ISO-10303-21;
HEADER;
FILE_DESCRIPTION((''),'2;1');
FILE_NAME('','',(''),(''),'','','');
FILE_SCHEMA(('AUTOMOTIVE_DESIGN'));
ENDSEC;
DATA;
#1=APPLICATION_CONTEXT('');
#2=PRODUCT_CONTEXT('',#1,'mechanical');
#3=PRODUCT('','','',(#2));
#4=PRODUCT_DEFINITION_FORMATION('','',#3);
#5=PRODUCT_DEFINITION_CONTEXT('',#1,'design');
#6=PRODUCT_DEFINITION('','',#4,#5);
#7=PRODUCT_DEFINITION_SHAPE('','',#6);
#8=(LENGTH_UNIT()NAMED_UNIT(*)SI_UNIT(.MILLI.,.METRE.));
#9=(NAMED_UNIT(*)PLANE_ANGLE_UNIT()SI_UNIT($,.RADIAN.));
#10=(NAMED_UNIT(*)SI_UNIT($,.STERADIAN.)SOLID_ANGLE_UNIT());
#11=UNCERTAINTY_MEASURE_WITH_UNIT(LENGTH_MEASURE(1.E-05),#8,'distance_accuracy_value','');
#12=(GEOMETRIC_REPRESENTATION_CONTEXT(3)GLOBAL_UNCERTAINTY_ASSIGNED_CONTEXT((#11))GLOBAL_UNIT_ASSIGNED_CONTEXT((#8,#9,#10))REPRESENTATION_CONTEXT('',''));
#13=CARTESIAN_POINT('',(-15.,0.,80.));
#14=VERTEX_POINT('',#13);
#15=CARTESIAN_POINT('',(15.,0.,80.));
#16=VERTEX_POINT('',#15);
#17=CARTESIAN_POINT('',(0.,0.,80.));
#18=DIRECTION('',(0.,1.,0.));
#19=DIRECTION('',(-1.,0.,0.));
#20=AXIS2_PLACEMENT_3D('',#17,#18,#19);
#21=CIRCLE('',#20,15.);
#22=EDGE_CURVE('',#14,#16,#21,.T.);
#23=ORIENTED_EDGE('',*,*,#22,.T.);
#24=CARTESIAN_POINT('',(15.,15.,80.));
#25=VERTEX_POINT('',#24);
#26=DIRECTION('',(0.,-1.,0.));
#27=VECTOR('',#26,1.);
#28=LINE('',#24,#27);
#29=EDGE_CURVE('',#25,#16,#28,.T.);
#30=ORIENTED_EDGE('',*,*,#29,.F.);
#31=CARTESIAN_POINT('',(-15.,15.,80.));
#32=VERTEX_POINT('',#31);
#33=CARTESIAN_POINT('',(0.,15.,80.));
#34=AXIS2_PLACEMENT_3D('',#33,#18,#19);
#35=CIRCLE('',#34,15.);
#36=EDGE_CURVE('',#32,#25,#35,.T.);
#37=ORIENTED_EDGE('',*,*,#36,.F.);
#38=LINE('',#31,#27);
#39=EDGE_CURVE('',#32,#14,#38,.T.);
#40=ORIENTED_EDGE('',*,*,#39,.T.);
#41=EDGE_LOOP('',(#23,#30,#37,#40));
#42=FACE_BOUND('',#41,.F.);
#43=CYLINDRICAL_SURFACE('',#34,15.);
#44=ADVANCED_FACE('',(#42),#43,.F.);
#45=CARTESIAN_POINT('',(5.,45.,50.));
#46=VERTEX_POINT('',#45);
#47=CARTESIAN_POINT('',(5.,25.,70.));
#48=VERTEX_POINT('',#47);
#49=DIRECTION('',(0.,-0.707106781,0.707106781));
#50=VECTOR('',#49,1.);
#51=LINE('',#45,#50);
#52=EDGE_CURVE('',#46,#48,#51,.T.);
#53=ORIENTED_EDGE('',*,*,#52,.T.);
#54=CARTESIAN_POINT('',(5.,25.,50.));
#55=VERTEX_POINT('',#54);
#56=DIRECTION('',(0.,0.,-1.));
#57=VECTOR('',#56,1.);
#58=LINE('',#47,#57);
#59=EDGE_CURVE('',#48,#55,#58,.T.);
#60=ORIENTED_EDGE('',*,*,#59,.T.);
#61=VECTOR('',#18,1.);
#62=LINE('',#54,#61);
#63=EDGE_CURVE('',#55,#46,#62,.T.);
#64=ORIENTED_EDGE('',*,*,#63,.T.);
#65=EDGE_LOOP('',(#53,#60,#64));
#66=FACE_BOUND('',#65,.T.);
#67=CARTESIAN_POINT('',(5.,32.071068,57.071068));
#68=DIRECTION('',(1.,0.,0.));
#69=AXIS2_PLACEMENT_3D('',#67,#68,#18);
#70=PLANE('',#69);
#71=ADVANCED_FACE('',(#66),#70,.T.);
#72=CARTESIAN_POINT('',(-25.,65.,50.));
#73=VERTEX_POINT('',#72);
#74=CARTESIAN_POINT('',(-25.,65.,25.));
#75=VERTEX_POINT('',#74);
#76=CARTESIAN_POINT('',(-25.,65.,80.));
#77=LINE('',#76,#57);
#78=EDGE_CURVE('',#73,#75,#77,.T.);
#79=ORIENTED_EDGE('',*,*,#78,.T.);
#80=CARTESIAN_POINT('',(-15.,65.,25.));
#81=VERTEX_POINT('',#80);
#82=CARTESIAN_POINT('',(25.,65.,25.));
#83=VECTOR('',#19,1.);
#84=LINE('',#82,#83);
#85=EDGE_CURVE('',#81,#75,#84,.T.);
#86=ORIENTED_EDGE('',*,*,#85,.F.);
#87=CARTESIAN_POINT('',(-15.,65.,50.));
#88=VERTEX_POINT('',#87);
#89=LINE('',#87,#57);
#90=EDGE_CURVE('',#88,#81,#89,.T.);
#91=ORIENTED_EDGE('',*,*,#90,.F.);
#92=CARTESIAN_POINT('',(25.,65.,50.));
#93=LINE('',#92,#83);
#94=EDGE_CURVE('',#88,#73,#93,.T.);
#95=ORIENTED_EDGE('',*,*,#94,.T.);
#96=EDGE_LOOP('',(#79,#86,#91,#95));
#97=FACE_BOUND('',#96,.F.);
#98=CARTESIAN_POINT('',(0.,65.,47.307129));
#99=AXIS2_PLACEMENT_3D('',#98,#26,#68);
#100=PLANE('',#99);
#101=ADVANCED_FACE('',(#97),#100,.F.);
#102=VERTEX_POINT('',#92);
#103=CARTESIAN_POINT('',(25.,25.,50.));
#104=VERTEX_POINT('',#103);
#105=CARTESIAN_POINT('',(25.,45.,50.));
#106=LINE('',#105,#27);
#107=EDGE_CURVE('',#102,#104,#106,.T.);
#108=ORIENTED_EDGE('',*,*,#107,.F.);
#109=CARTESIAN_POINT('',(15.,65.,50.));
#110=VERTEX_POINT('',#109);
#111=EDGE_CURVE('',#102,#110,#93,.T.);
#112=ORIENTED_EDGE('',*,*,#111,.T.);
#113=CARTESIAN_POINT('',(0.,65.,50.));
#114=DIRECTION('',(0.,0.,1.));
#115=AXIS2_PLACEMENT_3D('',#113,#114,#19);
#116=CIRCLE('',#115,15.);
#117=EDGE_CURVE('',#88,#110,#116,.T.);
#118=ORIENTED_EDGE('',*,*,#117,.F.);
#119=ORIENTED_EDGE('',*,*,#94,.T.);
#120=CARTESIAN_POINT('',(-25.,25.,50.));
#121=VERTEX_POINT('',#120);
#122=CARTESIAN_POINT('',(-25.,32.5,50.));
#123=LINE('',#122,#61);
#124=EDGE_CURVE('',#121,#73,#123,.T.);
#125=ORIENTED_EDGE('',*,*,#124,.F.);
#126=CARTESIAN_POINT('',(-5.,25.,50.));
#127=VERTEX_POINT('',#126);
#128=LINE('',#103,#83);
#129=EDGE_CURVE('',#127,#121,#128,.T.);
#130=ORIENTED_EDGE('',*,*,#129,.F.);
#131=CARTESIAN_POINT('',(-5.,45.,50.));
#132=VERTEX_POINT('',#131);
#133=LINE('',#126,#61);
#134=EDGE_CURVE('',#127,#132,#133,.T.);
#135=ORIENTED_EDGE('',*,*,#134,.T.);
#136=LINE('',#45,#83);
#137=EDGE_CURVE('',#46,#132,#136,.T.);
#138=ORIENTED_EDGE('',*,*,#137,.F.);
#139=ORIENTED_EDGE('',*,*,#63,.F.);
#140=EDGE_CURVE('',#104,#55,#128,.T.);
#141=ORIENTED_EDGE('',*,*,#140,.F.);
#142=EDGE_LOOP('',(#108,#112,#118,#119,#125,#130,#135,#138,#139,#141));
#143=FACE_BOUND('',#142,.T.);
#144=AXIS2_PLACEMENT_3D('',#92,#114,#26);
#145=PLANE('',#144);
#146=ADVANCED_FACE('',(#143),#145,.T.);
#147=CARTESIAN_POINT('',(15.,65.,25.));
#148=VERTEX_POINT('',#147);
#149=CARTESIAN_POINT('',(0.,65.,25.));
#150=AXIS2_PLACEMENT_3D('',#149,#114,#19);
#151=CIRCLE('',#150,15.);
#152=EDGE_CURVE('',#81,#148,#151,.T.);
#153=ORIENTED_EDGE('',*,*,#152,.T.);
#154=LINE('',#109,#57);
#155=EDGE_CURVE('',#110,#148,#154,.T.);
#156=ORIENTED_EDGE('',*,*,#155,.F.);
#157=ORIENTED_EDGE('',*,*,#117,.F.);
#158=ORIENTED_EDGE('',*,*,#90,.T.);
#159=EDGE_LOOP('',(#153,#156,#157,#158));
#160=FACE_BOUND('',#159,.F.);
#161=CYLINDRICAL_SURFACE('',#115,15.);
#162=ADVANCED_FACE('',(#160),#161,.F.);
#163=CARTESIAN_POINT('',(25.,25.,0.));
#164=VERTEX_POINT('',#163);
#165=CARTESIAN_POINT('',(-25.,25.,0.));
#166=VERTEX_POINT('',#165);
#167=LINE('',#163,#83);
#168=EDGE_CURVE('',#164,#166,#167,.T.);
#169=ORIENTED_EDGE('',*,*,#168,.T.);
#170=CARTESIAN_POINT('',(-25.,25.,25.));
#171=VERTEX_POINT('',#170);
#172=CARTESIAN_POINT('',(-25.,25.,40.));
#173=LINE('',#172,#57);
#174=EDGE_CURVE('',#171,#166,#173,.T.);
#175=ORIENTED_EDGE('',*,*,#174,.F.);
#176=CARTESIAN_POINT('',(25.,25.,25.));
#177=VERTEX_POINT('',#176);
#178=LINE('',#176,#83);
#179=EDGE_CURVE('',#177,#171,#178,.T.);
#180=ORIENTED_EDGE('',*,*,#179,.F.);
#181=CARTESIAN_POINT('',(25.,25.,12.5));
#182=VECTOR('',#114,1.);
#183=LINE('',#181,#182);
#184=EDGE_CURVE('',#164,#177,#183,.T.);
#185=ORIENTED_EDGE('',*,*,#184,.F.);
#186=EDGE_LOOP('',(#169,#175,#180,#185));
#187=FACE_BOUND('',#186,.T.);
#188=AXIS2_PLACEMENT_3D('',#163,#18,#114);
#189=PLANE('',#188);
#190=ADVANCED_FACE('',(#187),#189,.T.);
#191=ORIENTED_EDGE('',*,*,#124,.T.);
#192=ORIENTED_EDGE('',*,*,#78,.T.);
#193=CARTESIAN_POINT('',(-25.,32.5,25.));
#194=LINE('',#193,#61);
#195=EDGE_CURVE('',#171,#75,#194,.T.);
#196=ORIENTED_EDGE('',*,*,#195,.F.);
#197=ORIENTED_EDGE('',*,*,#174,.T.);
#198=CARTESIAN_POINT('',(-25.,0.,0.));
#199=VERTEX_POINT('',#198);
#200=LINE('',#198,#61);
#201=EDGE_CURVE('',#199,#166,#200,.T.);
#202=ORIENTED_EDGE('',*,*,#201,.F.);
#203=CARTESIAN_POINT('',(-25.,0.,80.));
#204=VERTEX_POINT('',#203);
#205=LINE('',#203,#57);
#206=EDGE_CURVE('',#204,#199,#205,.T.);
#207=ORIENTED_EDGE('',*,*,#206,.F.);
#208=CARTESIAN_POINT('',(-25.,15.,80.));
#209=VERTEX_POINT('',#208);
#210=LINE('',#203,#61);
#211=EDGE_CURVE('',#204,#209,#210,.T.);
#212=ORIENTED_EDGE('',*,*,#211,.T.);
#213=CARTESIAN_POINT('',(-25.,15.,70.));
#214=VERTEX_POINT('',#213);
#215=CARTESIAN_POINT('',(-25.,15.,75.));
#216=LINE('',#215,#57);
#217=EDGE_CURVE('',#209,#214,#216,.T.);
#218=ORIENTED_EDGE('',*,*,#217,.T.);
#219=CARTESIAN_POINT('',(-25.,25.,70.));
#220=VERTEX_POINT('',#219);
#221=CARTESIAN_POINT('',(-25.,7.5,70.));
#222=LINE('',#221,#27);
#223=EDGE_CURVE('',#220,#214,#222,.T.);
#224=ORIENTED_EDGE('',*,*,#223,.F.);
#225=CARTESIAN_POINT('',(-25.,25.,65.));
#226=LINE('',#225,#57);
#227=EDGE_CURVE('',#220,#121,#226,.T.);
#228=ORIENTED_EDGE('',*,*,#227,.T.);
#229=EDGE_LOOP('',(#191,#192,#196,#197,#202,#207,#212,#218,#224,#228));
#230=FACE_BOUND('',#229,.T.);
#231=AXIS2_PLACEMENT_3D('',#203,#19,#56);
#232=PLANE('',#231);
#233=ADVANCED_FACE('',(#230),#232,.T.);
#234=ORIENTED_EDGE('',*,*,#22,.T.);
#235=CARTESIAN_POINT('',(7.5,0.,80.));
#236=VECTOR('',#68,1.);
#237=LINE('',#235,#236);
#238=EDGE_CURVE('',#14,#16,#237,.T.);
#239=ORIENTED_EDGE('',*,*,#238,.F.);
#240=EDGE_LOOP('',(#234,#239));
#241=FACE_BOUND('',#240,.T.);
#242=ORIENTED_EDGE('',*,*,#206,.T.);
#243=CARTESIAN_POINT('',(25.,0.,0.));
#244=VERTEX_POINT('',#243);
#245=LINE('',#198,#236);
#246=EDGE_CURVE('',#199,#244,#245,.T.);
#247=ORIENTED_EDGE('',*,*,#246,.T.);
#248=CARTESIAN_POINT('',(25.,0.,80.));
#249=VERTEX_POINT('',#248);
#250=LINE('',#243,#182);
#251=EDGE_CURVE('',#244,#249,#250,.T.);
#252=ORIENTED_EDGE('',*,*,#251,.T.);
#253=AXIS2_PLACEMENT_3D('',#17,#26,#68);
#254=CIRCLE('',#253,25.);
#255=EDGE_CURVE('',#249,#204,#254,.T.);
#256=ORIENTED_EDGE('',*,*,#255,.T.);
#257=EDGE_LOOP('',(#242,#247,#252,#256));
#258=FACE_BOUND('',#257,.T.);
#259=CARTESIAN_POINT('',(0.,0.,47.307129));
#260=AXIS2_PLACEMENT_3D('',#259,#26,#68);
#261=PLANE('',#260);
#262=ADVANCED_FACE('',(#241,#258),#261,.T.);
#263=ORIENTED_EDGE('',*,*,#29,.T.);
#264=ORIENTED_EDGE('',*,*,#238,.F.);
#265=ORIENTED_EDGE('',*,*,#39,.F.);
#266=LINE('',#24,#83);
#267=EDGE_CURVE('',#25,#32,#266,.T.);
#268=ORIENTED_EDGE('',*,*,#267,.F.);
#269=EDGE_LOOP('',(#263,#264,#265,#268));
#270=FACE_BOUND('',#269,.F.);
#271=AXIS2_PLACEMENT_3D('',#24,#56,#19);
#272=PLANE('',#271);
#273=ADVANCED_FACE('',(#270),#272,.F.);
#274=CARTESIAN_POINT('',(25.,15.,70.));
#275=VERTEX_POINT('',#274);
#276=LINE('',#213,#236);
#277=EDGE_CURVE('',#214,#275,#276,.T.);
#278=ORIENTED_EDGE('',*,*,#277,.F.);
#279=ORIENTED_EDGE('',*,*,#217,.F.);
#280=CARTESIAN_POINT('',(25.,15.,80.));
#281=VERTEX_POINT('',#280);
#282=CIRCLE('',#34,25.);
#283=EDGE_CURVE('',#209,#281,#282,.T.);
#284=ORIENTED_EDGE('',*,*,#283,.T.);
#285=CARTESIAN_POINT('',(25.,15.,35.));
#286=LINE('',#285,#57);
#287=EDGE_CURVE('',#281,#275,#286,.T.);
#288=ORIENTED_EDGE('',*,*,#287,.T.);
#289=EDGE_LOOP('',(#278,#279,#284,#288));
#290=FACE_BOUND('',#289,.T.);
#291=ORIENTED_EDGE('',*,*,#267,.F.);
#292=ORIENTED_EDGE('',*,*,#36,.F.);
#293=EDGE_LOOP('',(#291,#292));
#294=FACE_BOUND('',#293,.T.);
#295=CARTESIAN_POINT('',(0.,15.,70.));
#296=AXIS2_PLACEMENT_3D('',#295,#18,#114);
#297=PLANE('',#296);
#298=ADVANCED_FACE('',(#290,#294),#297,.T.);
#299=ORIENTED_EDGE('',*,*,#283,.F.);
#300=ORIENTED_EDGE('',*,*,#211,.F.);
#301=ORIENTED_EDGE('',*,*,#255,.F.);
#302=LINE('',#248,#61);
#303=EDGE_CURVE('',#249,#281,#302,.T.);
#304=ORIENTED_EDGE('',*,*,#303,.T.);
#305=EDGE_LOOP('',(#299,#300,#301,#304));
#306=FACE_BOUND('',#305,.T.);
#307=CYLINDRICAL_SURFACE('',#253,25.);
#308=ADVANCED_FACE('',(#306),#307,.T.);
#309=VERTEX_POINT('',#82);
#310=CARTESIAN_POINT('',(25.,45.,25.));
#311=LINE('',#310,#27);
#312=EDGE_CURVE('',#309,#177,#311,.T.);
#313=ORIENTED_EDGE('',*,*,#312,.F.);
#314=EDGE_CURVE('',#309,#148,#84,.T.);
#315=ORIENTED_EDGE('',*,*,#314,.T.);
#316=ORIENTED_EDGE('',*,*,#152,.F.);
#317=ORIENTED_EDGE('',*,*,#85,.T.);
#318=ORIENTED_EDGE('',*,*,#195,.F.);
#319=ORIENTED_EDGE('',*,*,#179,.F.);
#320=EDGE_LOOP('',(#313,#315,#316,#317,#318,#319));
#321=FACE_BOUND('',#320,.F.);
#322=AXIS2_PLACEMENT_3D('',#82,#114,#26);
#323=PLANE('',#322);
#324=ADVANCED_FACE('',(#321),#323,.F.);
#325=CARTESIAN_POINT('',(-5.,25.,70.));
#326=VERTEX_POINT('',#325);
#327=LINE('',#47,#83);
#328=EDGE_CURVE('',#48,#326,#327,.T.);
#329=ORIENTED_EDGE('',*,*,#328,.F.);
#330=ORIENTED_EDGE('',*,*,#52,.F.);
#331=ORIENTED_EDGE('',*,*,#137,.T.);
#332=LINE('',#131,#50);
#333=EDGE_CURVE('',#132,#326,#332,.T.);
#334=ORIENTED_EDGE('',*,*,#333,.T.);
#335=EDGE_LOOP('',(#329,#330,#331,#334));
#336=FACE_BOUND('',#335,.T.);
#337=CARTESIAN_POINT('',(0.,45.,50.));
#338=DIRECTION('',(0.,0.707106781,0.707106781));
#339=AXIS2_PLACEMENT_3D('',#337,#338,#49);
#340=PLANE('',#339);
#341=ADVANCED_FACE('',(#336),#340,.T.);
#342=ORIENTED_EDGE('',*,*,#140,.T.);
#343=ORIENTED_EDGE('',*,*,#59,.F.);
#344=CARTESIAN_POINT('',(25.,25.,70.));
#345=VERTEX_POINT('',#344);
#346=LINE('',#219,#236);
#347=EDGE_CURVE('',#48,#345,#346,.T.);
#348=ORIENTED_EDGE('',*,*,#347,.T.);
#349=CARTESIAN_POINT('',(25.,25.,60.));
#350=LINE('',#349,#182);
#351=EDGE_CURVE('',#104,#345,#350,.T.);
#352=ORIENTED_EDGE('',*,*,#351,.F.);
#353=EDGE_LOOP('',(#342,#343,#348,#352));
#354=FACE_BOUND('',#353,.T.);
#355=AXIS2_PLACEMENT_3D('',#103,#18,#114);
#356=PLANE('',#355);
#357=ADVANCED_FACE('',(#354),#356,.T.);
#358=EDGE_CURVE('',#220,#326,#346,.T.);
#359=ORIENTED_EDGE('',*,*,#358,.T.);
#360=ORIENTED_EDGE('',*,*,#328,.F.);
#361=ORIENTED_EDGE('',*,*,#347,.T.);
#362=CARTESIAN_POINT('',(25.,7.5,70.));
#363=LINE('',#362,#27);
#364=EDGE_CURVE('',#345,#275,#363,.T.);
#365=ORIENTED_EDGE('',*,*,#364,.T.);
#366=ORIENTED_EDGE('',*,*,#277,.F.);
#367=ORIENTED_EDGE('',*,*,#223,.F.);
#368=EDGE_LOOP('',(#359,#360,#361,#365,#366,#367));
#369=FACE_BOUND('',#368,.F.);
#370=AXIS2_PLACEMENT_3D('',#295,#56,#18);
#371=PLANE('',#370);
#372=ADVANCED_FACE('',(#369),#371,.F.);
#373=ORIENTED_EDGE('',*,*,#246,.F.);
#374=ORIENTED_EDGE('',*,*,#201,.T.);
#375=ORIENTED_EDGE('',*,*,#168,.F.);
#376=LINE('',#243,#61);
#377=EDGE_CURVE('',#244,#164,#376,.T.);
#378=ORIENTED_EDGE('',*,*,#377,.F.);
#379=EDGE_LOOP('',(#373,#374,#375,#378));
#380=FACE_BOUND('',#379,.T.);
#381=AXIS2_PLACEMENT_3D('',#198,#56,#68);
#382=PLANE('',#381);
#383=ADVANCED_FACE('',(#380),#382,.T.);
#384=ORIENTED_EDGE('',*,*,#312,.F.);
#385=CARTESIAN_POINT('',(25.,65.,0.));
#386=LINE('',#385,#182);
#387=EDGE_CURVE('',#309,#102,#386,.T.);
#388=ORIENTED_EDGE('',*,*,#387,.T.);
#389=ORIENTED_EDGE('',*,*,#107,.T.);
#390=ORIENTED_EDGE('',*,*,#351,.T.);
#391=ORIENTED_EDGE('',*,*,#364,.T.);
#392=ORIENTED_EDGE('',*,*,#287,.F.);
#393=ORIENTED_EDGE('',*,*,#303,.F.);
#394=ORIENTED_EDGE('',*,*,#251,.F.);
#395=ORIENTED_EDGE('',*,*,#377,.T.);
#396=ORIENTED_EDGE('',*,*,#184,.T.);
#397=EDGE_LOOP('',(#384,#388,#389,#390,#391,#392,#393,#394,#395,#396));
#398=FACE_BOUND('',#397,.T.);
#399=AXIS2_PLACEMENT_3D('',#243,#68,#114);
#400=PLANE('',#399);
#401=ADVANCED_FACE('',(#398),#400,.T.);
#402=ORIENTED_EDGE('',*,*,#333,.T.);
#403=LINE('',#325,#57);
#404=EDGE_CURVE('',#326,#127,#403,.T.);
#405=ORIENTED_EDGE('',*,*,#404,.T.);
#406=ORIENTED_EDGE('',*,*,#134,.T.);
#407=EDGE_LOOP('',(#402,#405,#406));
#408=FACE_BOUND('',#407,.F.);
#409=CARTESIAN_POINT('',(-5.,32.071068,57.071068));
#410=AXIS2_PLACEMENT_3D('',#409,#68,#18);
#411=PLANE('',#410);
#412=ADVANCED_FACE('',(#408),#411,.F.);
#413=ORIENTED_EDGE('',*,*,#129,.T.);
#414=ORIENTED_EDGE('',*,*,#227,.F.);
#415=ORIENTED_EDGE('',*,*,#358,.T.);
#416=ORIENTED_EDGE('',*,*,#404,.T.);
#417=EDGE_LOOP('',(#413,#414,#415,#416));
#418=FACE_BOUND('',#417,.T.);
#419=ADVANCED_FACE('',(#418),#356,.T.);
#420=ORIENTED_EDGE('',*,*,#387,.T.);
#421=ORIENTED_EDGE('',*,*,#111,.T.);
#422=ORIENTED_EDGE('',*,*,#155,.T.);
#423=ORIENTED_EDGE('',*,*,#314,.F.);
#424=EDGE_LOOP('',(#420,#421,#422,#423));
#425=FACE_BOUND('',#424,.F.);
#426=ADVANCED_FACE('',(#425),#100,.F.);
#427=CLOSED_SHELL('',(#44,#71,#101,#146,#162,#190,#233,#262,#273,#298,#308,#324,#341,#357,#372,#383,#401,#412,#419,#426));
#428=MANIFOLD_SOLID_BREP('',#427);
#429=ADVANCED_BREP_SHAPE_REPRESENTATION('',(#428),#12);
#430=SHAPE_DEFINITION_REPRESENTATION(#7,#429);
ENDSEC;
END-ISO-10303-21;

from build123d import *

# Parameters (mm, degrees)
PAD_DEPTH            = 65
SKETCH001_W          = 25
SKETCH001_H          = 40
POCKET_DEPTH         = 50.001
SKETCH002_W          = 20
SKETCH002_H          = 40
POCKET001_DEPTH      = 50.001
SKETCH003_W          = 50
SKETCH003_H          = 35
POCKET002_DEPTH      = 25.001
POCKET002_DEPTH_BACK = -25.001
POCKET003_DEPTH      = 15.001
PAD001_DEPTH         = 5
POCKET004_DEPTH      = 50.001


with BuildPart() as part:
    # Sketch → Pad (new body)
    with BuildSketch(Plane.XZ):
        with BuildLine():
            Line((-25, 80), (-25, 0))
            Line((-25, 0), (25, 0))
            Line((25, 0), (25, 80))
            ThreePointArc((25, 80), (0, 105), (-25, 80))
        make_face()
    extrude(amount=-PAD_DEPTH)

    # Sketch001 (on Face3 of Pad) → Pocket (cut, through all)
    with BuildSketch(Plane(origin=(25, 0, 0), x_dir=(0, 0, 1), z_dir=(1, 0, 0))):
        with Locations((12.5, -45)):
            Rectangle(SKETCH001_W, SKETCH001_H)
    extrude(amount=-POCKET_DEPTH, mode=Mode.SUBTRACT)

    # Sketch002 (on Face8 of Pocket) → Pocket001 (cut, through all)
    with BuildSketch(Plane(origin=(25, 0, 0), x_dir=(0, 0, 1), z_dir=(1, 0, 0))):
        with Locations((60, -45)):
            Rectangle(SKETCH002_W, SKETCH002_H)
    extrude(amount=-POCKET001_DEPTH, mode=Mode.SUBTRACT)

    # Sketch003 → Pocket002 (cut, two sides)
    with BuildSketch(Plane.YZ) as pocket002_sk:
        with Locations((40, 87.5)):
            Rectangle(SKETCH003_W, SKETCH003_H)
    extrude(amount=-POCKET002_DEPTH, mode=Mode.SUBTRACT)
    extrude(pocket002_sk.sketch, amount=-POCKET002_DEPTH_BACK, mode=Mode.SUBTRACT)

    # Sketch004 (on Face10 of Pocket002) → Pocket003 (cut, through all)
    with BuildSketch(Plane(origin=(0, 15, 0), x_dir=(1, 0, 0), z_dir=(0, 1, 0))):
        with BuildLine():
            ThreePointArc((-15, -80), (0, -95), (15, -80))
            Line((15, -80), (-15, -80))
        make_face()
    extrude(amount=-POCKET003_DEPTH, mode=Mode.SUBTRACT)

    # Sketch005 → Pad001 (join, symmetric)
    with BuildSketch(Plane.YZ):
        Polygon((25, 70), (25, 50), (45, 50), align=None)
    extrude(amount=PAD001_DEPTH, both=True)

    # Sketch006 (on Face7 of Pad001) → Pocket004 (cut, through all)
    with BuildSketch(Plane(origin=(0, 0, 50), x_dir=(-1, 0, 0), z_dir=(0, 0, 1))):
        with BuildLine():
            ThreePointArc((15, -65), (0, -50), (-15, -65))
            Line((-15, -65), (15, -65))
        make_face()
    extrude(amount=-POCKET004_DEPTH, mode=Mode.SUBTRACT)


solid = part.part
